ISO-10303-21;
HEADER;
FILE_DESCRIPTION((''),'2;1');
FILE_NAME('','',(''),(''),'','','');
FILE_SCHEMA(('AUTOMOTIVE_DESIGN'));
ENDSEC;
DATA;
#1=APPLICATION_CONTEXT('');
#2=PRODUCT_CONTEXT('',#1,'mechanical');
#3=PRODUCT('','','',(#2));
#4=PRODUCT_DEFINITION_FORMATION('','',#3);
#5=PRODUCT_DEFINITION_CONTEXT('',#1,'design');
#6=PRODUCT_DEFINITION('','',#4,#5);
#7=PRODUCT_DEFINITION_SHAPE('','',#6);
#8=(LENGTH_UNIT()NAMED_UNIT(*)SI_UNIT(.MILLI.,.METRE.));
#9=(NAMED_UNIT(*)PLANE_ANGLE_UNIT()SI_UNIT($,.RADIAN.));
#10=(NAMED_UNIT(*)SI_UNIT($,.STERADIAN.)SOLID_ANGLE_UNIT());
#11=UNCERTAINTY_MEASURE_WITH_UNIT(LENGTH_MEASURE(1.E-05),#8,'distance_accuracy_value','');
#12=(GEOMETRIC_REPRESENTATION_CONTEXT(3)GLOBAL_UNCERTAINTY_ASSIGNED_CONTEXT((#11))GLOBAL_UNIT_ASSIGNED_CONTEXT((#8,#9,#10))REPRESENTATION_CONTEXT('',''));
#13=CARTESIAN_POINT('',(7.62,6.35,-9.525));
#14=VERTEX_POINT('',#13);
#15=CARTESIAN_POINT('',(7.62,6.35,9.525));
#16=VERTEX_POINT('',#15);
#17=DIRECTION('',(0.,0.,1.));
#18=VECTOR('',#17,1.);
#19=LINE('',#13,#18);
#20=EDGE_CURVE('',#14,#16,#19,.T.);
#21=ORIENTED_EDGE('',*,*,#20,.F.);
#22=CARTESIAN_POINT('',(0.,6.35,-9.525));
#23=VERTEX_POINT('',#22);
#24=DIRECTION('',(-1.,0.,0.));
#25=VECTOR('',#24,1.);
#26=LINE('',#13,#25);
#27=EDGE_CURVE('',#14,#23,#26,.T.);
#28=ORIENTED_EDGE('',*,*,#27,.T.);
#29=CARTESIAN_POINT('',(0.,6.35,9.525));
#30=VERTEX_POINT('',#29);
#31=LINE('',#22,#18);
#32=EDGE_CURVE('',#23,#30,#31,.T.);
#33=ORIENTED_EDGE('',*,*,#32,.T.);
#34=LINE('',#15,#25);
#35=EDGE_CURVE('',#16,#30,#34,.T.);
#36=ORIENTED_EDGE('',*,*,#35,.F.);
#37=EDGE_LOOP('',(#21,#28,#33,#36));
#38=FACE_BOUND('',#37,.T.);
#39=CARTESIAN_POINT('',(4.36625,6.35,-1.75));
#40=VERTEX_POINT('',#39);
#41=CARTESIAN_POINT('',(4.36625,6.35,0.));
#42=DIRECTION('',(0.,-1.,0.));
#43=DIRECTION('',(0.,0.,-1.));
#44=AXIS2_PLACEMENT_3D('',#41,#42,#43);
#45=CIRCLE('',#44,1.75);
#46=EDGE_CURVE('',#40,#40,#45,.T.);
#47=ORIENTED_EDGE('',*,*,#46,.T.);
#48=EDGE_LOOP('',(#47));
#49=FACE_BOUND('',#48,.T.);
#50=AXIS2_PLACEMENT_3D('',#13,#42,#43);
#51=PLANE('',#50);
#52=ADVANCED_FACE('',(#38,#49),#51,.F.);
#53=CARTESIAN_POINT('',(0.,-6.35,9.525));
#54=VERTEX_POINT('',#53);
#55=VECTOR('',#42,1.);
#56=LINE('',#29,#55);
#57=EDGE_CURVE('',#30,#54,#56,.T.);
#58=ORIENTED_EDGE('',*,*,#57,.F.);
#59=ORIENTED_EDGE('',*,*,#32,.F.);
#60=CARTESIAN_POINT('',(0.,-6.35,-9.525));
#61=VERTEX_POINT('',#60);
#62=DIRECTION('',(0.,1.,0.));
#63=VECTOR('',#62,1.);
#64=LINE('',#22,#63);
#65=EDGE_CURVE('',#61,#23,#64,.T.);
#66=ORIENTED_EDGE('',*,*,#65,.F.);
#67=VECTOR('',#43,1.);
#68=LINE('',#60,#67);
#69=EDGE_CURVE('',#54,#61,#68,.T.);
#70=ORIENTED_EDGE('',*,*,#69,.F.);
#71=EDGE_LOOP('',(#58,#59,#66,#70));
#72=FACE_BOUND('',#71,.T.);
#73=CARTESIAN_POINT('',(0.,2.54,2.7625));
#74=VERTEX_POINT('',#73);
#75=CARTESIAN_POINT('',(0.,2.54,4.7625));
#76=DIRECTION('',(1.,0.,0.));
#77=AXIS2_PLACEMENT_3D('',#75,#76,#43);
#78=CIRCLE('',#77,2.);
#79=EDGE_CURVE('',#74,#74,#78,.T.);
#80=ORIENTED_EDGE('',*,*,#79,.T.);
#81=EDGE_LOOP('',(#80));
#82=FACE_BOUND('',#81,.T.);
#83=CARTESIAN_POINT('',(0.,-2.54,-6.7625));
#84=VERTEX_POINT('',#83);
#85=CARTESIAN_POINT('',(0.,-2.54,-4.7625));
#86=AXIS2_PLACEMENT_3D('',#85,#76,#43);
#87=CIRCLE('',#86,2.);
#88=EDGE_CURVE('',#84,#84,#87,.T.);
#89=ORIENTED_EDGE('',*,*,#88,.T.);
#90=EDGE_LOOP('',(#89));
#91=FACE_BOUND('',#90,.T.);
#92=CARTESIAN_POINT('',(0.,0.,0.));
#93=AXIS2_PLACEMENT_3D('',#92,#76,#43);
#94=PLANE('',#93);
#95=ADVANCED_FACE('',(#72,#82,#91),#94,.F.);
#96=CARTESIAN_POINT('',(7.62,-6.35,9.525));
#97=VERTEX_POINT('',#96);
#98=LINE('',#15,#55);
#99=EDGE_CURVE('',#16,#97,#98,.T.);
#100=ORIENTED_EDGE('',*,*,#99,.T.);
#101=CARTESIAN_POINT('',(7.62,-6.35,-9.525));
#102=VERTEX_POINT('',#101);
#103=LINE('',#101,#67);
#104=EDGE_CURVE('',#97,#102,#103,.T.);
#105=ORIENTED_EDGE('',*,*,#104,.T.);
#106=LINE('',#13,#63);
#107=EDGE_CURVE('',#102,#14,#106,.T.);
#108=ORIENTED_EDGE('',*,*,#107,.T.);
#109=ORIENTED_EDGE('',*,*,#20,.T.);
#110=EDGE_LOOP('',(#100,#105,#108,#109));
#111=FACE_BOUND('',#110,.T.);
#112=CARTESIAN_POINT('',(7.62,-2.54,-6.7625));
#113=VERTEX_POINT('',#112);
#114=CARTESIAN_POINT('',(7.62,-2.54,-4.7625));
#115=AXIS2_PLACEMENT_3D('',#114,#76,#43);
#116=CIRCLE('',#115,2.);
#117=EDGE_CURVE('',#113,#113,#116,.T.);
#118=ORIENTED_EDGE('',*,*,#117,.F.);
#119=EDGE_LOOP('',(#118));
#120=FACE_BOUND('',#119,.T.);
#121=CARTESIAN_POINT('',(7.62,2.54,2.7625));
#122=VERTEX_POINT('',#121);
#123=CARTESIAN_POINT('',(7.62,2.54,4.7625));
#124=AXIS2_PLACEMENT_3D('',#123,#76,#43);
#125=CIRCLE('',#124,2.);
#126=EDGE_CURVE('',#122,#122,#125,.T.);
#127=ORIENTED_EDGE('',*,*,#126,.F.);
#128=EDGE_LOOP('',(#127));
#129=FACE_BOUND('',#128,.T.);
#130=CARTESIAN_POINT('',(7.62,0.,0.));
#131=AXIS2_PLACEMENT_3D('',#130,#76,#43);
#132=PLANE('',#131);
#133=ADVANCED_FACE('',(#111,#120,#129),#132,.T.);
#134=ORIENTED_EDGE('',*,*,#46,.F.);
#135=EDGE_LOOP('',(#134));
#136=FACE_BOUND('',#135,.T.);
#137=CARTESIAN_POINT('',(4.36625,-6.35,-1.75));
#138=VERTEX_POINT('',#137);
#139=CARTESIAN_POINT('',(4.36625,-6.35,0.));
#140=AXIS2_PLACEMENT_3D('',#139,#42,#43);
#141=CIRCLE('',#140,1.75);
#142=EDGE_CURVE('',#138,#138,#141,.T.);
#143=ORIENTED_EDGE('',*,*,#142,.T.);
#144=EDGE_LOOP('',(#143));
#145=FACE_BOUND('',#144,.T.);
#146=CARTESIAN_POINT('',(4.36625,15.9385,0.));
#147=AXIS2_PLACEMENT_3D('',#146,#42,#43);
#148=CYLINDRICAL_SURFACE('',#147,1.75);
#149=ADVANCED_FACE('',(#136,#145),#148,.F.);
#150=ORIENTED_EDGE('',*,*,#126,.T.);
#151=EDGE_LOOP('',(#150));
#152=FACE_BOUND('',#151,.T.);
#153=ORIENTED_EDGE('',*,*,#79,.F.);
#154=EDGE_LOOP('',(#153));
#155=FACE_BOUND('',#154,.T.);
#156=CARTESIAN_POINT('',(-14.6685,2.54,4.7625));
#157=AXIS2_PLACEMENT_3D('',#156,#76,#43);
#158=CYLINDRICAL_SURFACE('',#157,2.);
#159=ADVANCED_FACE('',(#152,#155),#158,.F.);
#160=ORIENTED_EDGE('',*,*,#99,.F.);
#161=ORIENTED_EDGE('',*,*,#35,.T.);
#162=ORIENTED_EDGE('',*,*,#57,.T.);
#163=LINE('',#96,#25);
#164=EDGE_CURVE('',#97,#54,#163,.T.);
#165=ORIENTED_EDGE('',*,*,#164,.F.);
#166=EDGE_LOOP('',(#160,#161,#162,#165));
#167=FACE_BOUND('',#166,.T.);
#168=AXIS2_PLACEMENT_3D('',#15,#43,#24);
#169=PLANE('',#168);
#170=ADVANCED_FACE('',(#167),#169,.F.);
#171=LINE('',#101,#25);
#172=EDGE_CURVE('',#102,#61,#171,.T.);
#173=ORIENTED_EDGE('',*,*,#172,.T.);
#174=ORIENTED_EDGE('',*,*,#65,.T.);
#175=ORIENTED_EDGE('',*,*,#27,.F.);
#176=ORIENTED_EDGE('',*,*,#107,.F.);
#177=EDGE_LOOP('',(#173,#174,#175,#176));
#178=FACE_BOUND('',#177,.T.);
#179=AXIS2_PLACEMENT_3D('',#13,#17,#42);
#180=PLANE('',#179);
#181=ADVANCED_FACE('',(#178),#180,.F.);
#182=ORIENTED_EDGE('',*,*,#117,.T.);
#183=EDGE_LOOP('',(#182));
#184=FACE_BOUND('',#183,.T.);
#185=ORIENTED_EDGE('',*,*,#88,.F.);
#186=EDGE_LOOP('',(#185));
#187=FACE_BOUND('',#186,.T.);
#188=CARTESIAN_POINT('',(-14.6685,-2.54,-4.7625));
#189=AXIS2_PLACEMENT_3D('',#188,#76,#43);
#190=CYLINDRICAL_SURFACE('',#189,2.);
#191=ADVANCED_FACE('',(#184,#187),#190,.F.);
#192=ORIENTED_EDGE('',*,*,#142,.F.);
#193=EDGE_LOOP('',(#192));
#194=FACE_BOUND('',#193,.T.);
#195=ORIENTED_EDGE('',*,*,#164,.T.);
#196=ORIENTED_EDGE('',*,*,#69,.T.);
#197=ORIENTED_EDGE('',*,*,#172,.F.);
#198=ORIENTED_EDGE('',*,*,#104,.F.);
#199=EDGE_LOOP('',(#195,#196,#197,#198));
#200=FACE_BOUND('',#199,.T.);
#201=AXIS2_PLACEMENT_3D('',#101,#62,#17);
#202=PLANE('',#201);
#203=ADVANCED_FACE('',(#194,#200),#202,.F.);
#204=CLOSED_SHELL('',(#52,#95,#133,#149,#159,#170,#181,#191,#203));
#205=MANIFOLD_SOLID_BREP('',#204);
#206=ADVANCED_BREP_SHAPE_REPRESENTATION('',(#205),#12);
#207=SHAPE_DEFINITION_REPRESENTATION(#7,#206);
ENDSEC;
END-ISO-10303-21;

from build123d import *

# Parameters (mm, degrees)
SKETCH1_W           = 12.7
SKETCH1_H           = 19.05
BOSS_EXTRUDE1_DEPTH = 7.62
SKETCH3_R           = 1.75
CUT_EXTRUDE1_DEPTH  = 22.2885
SKETCH4_R           = 2
CUT_EXTRUDE2_DEPTH  = 22.2885


with BuildPart() as part:
    # Sketch1 → Boss-Extrude1 (new body)
    with BuildSketch(Plane.YZ):
        Rectangle(SKETCH1_W, SKETCH1_H)
    extrude(amount=BOSS_EXTRUDE1_DEPTH)

    # Sketch3 → Cut-Extrude1 (cut)
    with BuildSketch(Plane.XZ.offset(6.35)):
        with Locations((4.36625, 0)):
            Circle(SKETCH3_R)
    extrude(amount=-CUT_EXTRUDE1_DEPTH, mode=Mode.SUBTRACT)

    # Sketch4 → Cut-Extrude2 (cut)
    with BuildSketch(Plane.YZ.offset(7.62)):
        with Locations((2.54, 4.7625)):
            Circle(SKETCH4_R)
        with Locations((-2.54, -4.7625)):
            Circle(SKETCH4_R)
    extrude(amount=-CUT_EXTRUDE2_DEPTH, mode=Mode.SUBTRACT)


solid = part.part
